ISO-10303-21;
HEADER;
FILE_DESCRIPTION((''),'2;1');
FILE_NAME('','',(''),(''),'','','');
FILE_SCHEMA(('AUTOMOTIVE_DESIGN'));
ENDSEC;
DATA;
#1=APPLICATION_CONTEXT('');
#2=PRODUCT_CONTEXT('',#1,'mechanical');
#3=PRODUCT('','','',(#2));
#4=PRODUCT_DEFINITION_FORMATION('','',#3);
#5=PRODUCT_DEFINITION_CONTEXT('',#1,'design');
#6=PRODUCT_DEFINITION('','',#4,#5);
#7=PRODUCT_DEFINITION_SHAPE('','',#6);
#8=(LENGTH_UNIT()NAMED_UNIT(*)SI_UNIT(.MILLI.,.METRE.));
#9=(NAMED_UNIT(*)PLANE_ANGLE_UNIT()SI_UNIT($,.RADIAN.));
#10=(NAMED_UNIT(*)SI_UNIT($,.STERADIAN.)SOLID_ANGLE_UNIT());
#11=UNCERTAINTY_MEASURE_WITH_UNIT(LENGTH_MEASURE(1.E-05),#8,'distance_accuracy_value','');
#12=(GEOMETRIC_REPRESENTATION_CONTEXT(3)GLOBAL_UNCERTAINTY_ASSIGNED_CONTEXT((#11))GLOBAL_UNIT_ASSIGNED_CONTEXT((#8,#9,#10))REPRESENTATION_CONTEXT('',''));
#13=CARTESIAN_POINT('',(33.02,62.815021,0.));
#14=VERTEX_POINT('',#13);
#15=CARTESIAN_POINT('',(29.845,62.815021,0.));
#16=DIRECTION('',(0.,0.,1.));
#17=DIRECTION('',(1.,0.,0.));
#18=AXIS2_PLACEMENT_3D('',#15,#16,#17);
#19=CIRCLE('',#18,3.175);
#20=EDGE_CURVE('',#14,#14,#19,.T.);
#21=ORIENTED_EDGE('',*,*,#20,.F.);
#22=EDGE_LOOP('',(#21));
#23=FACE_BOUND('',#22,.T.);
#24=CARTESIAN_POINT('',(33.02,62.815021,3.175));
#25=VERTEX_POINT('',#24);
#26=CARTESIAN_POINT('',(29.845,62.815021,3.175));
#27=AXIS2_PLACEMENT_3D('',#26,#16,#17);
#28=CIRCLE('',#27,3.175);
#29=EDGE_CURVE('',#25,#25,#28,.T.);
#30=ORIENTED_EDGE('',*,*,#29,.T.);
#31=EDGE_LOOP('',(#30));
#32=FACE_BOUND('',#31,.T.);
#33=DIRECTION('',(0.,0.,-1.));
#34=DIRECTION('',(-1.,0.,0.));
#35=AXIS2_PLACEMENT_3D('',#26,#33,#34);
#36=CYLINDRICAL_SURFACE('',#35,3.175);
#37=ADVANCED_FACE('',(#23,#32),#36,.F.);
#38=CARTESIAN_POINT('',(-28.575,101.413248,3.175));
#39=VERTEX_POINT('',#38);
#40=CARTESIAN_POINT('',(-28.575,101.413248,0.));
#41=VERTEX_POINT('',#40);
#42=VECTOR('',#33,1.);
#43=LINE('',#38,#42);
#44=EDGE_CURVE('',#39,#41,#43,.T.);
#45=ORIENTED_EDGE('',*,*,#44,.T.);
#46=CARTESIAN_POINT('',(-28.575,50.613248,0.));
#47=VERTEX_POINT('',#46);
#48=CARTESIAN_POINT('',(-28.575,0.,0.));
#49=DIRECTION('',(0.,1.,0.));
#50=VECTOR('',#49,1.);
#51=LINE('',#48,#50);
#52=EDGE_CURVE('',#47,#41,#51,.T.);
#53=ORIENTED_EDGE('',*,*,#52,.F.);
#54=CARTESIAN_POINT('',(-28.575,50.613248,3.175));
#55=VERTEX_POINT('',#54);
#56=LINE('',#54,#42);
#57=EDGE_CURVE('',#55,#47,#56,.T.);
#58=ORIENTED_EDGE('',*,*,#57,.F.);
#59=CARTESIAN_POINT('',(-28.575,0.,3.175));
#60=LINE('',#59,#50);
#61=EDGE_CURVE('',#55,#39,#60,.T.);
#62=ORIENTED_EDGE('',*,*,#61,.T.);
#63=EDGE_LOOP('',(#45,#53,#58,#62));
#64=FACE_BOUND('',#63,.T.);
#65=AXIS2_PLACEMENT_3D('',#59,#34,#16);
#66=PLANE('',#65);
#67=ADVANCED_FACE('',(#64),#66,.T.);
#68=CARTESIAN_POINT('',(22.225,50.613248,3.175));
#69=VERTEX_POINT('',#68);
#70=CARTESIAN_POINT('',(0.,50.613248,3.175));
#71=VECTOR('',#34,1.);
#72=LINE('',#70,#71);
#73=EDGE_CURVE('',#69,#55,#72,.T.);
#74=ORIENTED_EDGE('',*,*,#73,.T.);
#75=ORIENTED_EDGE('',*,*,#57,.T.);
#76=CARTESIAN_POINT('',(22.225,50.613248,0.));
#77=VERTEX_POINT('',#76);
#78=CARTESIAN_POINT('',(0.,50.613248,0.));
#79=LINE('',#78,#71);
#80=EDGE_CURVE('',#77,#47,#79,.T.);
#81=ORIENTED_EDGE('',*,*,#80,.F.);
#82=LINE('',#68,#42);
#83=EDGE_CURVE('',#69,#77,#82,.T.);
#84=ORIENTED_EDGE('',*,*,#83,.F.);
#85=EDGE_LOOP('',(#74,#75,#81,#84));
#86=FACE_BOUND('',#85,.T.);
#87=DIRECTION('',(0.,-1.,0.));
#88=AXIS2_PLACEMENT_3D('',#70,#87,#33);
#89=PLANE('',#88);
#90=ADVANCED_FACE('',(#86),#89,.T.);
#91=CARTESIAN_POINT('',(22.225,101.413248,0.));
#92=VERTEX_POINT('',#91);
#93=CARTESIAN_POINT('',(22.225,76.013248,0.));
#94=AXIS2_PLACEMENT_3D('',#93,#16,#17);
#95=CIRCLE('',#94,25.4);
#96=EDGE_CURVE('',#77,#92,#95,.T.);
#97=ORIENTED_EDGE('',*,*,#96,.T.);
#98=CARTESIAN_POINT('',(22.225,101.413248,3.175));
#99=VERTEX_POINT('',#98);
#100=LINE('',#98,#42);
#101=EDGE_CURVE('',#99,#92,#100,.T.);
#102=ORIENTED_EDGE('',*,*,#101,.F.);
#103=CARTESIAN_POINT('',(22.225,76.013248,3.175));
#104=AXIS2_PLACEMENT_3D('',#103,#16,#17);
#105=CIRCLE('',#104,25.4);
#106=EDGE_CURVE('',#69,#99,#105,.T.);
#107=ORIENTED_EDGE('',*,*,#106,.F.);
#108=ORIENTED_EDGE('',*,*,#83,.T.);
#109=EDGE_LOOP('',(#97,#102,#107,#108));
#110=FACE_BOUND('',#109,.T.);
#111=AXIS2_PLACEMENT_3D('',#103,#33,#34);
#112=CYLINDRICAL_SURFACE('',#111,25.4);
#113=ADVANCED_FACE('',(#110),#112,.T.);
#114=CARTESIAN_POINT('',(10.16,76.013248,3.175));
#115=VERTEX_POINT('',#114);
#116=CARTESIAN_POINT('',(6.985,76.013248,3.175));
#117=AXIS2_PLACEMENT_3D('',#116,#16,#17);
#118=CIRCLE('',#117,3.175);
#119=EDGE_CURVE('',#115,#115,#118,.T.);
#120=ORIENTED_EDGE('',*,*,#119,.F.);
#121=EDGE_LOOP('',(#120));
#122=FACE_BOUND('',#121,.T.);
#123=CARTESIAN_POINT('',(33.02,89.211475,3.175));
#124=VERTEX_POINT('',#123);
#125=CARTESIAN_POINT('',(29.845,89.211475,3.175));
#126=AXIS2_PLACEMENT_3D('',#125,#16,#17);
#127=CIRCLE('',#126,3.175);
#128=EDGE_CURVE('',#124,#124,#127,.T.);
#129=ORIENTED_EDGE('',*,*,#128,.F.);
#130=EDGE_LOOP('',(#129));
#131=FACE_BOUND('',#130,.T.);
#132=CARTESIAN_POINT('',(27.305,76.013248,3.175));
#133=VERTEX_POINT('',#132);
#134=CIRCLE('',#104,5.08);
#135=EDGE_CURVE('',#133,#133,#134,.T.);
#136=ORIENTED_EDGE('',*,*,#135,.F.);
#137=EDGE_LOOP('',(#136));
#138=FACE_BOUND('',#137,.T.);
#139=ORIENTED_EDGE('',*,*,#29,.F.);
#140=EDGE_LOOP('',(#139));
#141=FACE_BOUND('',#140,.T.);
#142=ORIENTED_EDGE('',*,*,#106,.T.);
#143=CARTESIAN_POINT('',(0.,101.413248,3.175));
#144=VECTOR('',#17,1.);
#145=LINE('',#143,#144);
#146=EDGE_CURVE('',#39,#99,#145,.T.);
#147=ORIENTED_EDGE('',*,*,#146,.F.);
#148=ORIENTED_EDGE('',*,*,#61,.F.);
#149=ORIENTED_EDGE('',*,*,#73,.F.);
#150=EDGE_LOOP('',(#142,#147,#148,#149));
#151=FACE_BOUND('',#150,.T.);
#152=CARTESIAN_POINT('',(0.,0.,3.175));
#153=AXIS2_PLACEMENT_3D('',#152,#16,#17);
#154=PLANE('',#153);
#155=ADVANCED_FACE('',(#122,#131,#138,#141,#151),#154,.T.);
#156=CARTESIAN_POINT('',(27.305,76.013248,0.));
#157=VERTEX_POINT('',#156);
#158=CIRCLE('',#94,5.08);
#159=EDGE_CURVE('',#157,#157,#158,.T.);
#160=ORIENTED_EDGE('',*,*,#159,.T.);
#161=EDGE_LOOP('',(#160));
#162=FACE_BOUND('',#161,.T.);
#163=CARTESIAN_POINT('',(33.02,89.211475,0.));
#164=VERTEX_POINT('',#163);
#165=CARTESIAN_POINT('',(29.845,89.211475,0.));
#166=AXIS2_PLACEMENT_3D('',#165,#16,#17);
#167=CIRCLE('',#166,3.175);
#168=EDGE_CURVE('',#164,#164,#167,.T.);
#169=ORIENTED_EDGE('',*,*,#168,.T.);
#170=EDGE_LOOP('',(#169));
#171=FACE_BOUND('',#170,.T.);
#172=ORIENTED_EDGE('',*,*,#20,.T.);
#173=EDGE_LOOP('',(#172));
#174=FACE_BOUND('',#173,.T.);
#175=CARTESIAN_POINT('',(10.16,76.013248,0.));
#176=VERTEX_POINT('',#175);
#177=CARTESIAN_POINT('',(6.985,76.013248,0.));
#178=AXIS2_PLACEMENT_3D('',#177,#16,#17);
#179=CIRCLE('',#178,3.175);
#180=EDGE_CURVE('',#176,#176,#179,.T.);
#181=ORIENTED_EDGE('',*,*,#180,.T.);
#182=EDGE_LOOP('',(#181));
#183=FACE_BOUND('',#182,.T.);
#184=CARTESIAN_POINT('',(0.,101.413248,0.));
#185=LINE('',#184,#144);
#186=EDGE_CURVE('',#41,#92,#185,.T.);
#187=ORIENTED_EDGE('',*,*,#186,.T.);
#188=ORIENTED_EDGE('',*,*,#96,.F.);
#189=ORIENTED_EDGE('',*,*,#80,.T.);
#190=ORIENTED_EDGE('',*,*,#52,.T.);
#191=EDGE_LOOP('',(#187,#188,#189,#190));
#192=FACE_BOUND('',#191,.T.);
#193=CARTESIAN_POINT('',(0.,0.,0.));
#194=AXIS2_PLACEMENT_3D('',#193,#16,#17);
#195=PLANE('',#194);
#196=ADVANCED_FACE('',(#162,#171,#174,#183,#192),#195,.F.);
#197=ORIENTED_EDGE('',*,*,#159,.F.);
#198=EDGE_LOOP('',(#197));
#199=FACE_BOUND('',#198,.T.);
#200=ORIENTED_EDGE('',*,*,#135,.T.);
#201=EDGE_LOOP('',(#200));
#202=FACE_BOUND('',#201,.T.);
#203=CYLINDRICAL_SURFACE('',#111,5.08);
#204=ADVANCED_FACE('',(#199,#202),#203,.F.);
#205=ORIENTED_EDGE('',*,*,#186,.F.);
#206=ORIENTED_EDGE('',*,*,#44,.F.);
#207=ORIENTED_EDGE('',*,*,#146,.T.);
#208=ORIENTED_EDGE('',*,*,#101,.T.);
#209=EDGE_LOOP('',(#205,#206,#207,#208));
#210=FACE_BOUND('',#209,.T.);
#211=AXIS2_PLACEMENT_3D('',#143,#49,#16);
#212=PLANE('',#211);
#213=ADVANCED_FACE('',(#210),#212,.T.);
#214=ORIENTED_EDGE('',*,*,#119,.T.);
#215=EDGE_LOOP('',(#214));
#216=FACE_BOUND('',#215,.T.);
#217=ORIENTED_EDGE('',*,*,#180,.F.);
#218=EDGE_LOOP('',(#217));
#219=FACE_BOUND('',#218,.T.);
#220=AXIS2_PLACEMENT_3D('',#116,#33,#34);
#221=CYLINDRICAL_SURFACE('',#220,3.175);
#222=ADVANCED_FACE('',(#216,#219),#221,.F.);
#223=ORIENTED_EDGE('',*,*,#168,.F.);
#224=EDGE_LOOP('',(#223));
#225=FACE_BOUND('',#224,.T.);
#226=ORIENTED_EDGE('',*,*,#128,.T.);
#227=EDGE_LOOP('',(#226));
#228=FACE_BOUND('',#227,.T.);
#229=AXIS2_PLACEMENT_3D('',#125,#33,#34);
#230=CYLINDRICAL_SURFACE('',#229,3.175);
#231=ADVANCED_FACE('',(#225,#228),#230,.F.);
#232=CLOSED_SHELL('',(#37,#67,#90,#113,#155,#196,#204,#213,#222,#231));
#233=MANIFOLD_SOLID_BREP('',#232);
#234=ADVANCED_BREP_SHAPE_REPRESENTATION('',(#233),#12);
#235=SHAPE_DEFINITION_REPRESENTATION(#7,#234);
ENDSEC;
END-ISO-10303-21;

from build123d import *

# Parameters (mm, degrees)
SKETCH1_R           = 5.08
SKETCH1_R_2         = 3.175
BOSS_EXTRUDE1_DEPTH = 3.175


with BuildPart() as part:
    # Sketch1 → Boss-Extrude1 (new body)
    with BuildSketch(Plane.XY):
        with BuildLine():
            Line((22.225, 50.613247917), (-28.575, 50.613247917))
            Line((-28.575, 50.613247917), (-28.575, 101.413247917))
            Line((-28.575, 101.413247917), (22.225, 101.413247917))
            ThreePointArc((22.225, 101.413247917), (47.625, 76.013247917), (22.225, 50.613247917))
        make_face()
        with Locations((22.225, 76.013247917)):
            Circle(SKETCH1_R, mode=Mode.SUBTRACT)
        with Locations((6.985, 76.013247917)):
            Circle(SKETCH1_R_2, mode=Mode.SUBTRACT)
        with Locations((29.845, 89.211475071)):
            Circle(SKETCH1_R_2, mode=Mode.SUBTRACT)
        with Locations((29.845, 62.815020764)):
            Circle(SKETCH1_R_2, mode=Mode.SUBTRACT)
    extrude(amount=BOSS_EXTRUDE1_DEPTH)


solid = part.part
